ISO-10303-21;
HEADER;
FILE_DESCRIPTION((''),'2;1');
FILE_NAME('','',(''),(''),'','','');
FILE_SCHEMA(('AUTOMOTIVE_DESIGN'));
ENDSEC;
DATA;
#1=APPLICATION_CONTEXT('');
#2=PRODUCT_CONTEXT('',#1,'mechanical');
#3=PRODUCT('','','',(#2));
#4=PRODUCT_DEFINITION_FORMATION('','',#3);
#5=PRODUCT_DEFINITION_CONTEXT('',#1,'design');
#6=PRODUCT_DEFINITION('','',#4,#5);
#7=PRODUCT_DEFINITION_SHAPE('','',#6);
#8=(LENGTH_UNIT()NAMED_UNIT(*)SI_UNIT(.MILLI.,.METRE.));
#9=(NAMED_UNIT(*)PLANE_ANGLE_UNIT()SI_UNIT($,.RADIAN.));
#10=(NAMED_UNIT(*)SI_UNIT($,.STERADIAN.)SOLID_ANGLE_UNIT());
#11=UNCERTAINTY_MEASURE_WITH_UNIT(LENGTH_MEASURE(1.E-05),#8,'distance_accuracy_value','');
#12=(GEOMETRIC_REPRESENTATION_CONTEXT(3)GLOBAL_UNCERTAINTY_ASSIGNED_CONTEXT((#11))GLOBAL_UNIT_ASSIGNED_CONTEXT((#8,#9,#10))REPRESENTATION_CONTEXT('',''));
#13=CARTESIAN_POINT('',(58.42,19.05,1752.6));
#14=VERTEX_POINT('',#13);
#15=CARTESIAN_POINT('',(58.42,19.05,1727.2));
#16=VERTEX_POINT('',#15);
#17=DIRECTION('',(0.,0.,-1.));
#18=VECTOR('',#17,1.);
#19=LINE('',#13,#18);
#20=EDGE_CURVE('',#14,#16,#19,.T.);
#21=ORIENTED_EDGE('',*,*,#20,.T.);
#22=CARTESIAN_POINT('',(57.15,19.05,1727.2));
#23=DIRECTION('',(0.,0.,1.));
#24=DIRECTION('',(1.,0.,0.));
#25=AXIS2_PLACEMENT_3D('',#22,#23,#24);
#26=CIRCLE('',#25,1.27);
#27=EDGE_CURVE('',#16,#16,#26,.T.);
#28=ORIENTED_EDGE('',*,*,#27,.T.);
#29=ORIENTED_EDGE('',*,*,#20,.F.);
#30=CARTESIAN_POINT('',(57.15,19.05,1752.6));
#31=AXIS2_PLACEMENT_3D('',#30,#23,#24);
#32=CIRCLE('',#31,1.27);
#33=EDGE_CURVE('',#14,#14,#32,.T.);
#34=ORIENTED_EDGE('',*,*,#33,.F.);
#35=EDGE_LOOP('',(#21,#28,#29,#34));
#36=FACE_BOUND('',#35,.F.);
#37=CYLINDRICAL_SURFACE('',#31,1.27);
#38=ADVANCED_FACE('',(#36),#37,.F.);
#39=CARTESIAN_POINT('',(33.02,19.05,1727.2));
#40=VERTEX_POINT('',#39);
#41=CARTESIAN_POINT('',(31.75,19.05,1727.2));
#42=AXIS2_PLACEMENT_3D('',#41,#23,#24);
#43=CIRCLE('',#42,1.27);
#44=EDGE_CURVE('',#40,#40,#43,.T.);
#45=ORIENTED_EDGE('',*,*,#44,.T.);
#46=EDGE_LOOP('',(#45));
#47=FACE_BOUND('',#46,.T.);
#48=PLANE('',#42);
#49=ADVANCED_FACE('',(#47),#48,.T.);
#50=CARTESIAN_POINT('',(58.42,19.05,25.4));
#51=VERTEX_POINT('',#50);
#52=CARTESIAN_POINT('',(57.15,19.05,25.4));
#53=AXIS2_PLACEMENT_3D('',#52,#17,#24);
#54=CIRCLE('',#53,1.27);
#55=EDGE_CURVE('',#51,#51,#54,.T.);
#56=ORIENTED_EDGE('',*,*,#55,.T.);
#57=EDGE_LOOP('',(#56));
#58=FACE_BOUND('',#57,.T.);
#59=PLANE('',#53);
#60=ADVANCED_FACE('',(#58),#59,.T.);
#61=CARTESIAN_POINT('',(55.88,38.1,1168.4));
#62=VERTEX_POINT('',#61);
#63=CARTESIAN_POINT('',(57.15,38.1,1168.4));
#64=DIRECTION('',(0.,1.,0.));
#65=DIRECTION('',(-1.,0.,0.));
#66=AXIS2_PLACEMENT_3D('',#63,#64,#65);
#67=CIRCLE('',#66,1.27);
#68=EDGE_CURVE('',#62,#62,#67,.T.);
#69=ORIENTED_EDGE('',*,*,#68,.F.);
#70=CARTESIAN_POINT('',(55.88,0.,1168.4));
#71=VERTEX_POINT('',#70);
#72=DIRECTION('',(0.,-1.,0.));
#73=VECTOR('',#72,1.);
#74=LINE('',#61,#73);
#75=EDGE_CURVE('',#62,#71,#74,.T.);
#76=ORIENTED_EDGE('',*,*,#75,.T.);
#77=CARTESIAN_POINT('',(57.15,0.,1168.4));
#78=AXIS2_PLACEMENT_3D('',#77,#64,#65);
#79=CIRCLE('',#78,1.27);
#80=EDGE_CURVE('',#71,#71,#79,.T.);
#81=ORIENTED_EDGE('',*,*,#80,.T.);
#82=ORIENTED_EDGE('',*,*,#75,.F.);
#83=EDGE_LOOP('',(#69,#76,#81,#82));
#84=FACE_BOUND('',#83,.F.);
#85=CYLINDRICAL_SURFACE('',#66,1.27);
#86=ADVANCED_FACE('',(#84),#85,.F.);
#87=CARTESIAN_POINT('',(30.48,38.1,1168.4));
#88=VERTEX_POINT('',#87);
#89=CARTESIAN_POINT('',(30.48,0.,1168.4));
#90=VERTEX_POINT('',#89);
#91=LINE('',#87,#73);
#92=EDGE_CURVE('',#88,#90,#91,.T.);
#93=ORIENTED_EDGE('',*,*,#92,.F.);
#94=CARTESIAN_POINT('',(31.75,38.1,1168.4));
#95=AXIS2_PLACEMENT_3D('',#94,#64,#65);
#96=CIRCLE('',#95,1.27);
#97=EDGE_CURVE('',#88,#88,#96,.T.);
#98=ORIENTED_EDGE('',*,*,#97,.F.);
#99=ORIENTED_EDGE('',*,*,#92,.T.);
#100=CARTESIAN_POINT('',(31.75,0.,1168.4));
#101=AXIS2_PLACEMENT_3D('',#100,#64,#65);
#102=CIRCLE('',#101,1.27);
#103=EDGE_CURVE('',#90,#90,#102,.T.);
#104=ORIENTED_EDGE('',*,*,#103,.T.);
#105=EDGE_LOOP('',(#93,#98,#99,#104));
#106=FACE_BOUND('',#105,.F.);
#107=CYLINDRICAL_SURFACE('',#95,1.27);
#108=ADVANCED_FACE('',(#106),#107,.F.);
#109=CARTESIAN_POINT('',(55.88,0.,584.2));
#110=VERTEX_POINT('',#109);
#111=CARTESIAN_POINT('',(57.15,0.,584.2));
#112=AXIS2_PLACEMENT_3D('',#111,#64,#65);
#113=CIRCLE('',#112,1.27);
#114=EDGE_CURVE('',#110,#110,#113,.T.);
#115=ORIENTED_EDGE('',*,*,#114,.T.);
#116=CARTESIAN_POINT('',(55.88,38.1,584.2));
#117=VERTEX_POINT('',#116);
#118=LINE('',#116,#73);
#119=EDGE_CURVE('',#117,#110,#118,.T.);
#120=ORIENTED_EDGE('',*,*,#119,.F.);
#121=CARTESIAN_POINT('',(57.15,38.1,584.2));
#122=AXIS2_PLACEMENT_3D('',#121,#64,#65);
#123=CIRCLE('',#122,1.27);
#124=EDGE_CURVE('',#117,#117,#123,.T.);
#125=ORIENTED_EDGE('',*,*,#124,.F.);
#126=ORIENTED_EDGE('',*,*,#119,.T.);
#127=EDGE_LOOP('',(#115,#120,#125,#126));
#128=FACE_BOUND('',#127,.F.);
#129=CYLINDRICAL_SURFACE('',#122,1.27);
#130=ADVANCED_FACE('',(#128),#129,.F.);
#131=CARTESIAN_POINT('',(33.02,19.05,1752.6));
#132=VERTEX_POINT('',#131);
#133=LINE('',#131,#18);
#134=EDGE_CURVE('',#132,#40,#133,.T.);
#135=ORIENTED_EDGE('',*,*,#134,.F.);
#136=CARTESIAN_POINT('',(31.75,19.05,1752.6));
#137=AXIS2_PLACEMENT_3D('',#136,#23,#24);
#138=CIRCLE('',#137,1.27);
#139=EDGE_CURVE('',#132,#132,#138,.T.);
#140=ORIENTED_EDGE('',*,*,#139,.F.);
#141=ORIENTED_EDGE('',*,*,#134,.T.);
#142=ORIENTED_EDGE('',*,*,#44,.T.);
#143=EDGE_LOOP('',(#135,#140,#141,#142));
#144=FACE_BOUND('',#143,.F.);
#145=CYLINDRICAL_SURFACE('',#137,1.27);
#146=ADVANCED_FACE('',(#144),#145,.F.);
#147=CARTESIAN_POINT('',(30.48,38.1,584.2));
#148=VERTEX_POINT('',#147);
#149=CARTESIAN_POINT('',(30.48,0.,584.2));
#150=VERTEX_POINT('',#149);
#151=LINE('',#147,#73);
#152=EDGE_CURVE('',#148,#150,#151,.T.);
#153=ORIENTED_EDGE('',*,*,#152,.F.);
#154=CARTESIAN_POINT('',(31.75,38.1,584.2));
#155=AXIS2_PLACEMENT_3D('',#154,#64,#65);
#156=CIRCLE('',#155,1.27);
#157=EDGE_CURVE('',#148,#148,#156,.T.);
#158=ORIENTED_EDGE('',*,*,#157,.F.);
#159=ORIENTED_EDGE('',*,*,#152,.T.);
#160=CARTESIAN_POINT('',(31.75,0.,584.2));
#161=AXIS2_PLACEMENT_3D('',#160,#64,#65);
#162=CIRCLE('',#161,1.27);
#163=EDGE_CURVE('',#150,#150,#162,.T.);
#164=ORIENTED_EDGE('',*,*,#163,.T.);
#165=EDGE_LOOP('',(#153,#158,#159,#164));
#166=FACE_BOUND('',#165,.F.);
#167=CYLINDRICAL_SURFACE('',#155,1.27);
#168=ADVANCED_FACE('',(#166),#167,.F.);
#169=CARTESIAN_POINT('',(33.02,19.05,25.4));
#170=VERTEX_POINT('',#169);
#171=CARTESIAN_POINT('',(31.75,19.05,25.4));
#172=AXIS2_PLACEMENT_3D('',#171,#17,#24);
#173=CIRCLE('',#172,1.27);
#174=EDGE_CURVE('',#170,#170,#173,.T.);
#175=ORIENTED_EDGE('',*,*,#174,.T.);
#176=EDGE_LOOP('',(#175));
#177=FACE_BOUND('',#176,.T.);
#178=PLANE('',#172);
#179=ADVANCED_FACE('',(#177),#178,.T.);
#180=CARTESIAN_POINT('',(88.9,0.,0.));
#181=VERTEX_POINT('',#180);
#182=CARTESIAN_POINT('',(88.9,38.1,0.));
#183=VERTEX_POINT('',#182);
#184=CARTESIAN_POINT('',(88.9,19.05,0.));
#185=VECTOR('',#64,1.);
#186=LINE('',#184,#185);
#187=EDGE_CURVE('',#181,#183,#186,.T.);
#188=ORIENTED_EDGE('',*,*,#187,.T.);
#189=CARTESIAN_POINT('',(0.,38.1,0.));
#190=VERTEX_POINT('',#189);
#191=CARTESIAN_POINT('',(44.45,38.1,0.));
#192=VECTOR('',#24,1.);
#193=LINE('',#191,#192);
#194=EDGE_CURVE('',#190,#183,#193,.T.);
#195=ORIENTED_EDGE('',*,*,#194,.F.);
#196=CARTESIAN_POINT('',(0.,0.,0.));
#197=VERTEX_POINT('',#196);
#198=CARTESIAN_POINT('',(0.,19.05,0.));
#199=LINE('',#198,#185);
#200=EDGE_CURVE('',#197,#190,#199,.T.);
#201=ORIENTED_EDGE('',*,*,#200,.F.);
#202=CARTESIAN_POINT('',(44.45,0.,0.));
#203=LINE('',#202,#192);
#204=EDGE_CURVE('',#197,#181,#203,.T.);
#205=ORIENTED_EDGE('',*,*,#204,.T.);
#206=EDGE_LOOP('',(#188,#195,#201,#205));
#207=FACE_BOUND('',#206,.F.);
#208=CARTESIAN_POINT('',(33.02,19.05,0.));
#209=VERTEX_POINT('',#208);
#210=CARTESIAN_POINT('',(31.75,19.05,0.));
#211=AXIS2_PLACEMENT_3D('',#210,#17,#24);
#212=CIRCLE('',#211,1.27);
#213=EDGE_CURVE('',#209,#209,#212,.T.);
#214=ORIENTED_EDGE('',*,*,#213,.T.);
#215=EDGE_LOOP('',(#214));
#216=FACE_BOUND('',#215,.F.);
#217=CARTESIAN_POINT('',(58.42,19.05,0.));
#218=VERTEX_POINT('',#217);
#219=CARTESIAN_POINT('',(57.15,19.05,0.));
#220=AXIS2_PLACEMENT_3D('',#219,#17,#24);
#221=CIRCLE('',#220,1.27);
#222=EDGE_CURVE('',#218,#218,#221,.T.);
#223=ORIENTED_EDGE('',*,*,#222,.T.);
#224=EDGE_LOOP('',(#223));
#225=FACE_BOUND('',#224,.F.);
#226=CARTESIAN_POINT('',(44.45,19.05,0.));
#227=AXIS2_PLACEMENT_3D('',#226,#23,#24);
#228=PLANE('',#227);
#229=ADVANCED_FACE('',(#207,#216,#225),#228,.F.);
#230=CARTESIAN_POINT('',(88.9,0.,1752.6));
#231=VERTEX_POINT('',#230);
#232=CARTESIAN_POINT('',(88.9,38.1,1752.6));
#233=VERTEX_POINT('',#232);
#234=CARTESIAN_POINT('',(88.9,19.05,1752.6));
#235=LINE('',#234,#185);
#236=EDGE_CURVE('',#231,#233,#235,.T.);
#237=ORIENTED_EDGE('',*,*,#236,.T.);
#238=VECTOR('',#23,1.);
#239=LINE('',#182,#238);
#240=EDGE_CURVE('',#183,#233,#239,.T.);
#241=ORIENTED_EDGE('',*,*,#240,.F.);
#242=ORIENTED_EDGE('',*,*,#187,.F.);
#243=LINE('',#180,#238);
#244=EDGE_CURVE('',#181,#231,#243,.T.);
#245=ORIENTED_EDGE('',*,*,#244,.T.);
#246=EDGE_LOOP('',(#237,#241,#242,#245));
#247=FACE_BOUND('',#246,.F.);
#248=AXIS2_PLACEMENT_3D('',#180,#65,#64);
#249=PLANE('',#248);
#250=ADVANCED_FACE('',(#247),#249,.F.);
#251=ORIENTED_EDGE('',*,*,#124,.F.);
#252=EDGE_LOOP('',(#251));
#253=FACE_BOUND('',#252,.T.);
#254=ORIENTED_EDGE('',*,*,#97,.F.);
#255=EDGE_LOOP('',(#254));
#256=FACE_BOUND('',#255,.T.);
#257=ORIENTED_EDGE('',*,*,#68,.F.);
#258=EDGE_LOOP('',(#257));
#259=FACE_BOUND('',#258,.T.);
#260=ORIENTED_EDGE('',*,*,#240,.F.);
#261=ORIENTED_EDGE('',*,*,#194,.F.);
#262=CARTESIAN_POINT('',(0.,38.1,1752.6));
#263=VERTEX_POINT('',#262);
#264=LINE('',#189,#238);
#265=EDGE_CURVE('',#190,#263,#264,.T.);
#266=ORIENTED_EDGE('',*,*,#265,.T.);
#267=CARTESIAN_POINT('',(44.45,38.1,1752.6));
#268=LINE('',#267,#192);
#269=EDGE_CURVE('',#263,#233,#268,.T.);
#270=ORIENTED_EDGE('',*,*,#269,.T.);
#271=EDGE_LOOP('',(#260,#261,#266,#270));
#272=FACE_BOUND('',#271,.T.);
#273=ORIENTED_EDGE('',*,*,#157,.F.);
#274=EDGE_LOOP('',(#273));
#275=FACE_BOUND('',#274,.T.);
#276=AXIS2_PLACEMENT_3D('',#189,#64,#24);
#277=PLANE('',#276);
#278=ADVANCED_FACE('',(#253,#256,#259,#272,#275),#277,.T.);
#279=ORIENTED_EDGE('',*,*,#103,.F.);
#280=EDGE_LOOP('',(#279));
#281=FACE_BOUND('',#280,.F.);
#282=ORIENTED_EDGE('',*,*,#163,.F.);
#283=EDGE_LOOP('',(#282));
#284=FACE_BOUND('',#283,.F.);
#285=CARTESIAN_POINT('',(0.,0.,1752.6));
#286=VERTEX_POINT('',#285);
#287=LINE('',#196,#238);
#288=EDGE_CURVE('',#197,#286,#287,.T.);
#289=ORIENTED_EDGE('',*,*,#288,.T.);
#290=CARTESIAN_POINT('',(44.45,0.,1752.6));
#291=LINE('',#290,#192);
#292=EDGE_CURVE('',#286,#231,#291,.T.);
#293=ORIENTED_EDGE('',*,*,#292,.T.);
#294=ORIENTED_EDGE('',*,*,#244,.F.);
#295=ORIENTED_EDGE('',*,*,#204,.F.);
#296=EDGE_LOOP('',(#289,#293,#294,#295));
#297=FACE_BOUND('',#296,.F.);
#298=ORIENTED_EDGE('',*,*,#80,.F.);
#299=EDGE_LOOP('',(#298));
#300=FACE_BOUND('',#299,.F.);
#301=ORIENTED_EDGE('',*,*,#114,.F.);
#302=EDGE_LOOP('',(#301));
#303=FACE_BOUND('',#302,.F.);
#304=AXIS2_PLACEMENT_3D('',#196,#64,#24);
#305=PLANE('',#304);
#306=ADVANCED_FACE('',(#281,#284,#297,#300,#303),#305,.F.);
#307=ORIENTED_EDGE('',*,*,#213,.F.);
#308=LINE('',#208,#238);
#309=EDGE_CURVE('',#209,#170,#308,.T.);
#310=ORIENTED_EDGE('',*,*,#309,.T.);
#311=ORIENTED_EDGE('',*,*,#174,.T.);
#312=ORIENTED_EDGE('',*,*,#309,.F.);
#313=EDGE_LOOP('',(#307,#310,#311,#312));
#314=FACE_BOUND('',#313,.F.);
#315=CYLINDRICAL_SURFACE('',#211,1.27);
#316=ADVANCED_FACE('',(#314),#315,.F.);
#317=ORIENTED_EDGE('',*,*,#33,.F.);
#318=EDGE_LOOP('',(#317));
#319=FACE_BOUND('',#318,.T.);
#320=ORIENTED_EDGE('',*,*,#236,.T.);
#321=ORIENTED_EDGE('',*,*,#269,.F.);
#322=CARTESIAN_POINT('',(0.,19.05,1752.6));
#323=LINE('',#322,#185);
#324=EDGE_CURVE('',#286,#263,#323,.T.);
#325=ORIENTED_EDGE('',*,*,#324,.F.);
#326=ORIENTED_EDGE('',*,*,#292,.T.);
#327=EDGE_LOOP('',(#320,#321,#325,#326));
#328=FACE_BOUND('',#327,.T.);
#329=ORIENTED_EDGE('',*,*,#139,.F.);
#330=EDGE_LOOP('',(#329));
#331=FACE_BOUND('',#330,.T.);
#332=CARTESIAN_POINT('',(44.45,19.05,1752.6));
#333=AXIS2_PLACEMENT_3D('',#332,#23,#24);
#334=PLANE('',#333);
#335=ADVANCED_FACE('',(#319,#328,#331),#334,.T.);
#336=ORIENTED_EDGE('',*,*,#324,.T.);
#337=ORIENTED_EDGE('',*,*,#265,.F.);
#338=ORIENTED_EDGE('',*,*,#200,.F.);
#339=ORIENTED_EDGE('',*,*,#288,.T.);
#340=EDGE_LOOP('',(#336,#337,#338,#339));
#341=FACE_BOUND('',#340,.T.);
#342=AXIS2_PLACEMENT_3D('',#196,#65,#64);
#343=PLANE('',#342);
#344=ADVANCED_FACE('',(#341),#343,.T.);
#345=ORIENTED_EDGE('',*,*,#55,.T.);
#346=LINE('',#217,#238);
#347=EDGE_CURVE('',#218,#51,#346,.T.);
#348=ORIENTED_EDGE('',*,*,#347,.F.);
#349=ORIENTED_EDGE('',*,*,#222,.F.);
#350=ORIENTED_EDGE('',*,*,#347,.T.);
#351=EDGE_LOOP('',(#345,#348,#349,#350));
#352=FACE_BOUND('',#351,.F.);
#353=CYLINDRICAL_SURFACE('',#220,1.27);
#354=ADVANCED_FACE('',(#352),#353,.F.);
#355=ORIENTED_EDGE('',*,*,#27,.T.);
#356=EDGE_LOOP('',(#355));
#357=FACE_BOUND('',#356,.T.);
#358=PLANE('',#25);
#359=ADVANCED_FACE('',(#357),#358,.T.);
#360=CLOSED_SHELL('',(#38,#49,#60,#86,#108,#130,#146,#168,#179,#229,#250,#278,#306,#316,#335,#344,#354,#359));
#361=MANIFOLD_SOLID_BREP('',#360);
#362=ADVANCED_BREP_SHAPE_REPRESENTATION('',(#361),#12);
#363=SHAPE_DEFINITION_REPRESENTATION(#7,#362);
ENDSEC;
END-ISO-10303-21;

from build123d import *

# Parameters (mm, degrees)
SKETCH003_AS_DRAWN_R                      = 1.27
EXTRUDE003_DEPTH                          = 38.1
EXTRUDE003_ONTO_SKETCH003_ROLL_ANGLE      = 90
EXTRUDE003_ONTO_SKETCH003_PLACEMENT_ANGLE = 180
SKETCH002_R                               = 1.27
EXTRUDE002_DEPTH                          = 25.4
SKETCH001_R                               = 1.27
EXTRUDE001_DEPTH                          = 25.4
SKETCH_W                                  = 88.9
SKETCH_H                                  = 38.1
EXTRUDE_DEPTH                             = 1752.6


with BuildPart() as extrude003:
    # Sketch003 as drawn → Extrude003 (new)
    with BuildSketch(Plane.XY):
        with Locations((-57.15, 584.2)):
            Circle(SKETCH003_AS_DRAWN_R)
        with Locations((-31.75, 584.2)):
            Circle(SKETCH003_AS_DRAWN_R)
        with Locations((-57.15, 1168.4)):
            Circle(SKETCH003_AS_DRAWN_R)
        with Locations((-31.75, 1168.4)):
            Circle(SKETCH003_AS_DRAWN_R)
    extrude(amount=-EXTRUDE003_DEPTH)


with BuildPart() as extrude003_1:
    # Extrude003 onto Sketch003 roll: moved
    add(extrude003.part.rotate(Axis((0, 0, 0), (1, 0, 0)), EXTRUDE003_ONTO_SKETCH003_ROLL_ANGLE))


with BuildPart() as extrude003_2:
    # Extrude003 onto Sketch003 placement: moved
    add(extrude003_1.part.moved(Location((0, 38.1, 0))).rotate(Axis((0, 38.1, 0), (0, 0, 1)), EXTRUDE003_ONTO_SKETCH003_PLACEMENT_ANGLE))


with BuildPart() as extrude002:
    # Sketch002 → Extrude002 (new body)
    with BuildSketch(Plane(origin=(0, 0, 0), x_dir=(1, 0, 0), z_dir=(0, 0, -1))):
        with Locations((31.75, -19.05)):
            Circle(SKETCH002_R)
        with Locations((57.15, -19.05)):
            Circle(SKETCH002_R)
    extrude(amount=-EXTRUDE002_DEPTH)


with BuildPart() as extrude001:
    # Sketch001 → Extrude001 (new body)
    with BuildSketch(Plane.XY.offset(1752.6)):
        with Locations((31.75, 19.05)):
            Circle(SKETCH001_R)
        with Locations((57.15, 19.05)):
            Circle(SKETCH001_R)
    extrude(amount=-EXTRUDE001_DEPTH)


with BuildPart() as cut002:
    # Sketch → Extrude (new body)
    with BuildSketch(Plane.XY):
        with Locations((44.45, 19.05)):
            Rectangle(SKETCH_W, SKETCH_H)
    extrude(amount=EXTRUDE_DEPTH)

    # Cut: cut Extrude001
    add(extrude001.part, mode=Mode.SUBTRACT)

    # Cut001: cut Extrude002
    add(extrude002.part, mode=Mode.SUBTRACT)

    # Cut002: cut Extrude003
    add(extrude003_2.part, mode=Mode.SUBTRACT)


solid = cut002.part
